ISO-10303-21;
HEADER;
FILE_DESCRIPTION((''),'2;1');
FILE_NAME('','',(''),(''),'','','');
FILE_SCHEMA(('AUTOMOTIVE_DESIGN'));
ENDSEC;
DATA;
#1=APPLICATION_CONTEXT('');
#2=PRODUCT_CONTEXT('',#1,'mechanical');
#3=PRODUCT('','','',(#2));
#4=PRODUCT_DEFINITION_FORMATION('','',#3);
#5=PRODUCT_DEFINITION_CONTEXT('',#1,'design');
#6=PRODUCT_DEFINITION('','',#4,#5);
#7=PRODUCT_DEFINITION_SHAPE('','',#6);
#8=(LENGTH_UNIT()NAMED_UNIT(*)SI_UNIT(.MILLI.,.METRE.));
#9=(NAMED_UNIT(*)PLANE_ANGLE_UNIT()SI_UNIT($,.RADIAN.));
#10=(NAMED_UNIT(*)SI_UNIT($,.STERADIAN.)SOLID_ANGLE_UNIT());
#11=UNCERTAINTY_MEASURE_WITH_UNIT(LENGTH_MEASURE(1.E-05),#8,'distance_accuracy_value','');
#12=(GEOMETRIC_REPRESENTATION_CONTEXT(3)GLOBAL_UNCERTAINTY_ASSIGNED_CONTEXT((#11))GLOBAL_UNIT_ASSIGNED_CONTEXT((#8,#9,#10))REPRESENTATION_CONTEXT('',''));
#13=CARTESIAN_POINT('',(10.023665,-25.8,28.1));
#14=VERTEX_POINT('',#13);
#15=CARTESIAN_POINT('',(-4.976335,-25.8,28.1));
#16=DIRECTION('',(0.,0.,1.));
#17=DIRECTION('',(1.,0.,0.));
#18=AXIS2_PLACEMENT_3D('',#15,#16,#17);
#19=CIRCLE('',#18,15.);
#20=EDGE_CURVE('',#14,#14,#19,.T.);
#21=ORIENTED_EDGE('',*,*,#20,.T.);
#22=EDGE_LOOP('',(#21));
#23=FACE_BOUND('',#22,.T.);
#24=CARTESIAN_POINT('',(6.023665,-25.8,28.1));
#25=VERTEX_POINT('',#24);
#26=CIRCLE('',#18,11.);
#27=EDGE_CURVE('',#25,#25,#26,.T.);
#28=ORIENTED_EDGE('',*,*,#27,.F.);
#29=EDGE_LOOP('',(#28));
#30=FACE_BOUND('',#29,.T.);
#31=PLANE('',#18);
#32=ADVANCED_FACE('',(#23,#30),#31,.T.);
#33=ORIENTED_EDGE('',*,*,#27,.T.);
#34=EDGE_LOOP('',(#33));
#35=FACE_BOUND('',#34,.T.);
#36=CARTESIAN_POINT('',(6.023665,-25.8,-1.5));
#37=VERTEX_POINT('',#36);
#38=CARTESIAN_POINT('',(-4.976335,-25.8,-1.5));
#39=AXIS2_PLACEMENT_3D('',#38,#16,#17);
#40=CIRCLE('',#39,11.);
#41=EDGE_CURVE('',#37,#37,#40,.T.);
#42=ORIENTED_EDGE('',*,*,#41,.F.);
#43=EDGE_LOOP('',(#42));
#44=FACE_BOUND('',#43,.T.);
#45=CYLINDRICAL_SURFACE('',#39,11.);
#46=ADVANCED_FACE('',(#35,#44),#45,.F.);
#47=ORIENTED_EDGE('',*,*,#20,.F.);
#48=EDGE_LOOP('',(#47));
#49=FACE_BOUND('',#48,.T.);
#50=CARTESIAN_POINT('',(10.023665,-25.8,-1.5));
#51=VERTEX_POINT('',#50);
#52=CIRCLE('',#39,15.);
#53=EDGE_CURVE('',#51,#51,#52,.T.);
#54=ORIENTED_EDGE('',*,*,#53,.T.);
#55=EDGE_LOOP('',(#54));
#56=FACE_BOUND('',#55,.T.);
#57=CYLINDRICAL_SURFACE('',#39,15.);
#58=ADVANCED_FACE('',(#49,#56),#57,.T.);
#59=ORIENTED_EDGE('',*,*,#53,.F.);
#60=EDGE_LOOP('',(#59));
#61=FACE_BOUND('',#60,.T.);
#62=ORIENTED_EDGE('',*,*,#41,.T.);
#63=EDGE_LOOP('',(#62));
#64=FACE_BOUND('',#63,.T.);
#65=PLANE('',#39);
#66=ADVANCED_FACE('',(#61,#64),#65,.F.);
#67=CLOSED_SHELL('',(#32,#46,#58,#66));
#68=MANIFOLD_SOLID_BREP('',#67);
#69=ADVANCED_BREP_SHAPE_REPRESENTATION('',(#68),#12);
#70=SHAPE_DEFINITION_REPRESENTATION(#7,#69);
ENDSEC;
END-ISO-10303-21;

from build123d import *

# Parameters (mm, degrees)
CROQUIS2_R              = 15
CROQUIS2_R_2            = 11
SALIENTE_EXTRUIR1_DEPTH = 29.6


with BuildPart() as part:
    # Croquis2 → Saliente-Extruir1 (new body)
    with BuildSketch(Plane.XY.offset(28.1)):
        with Locations((-4.976335362, -25.8)):
            Circle(CROQUIS2_R)
        with Locations((-4.976335362, -25.8)):
            Circle(CROQUIS2_R_2, mode=Mode.SUBTRACT)
    extrude(amount=-SALIENTE_EXTRUIR1_DEPTH)


solid = part.part
